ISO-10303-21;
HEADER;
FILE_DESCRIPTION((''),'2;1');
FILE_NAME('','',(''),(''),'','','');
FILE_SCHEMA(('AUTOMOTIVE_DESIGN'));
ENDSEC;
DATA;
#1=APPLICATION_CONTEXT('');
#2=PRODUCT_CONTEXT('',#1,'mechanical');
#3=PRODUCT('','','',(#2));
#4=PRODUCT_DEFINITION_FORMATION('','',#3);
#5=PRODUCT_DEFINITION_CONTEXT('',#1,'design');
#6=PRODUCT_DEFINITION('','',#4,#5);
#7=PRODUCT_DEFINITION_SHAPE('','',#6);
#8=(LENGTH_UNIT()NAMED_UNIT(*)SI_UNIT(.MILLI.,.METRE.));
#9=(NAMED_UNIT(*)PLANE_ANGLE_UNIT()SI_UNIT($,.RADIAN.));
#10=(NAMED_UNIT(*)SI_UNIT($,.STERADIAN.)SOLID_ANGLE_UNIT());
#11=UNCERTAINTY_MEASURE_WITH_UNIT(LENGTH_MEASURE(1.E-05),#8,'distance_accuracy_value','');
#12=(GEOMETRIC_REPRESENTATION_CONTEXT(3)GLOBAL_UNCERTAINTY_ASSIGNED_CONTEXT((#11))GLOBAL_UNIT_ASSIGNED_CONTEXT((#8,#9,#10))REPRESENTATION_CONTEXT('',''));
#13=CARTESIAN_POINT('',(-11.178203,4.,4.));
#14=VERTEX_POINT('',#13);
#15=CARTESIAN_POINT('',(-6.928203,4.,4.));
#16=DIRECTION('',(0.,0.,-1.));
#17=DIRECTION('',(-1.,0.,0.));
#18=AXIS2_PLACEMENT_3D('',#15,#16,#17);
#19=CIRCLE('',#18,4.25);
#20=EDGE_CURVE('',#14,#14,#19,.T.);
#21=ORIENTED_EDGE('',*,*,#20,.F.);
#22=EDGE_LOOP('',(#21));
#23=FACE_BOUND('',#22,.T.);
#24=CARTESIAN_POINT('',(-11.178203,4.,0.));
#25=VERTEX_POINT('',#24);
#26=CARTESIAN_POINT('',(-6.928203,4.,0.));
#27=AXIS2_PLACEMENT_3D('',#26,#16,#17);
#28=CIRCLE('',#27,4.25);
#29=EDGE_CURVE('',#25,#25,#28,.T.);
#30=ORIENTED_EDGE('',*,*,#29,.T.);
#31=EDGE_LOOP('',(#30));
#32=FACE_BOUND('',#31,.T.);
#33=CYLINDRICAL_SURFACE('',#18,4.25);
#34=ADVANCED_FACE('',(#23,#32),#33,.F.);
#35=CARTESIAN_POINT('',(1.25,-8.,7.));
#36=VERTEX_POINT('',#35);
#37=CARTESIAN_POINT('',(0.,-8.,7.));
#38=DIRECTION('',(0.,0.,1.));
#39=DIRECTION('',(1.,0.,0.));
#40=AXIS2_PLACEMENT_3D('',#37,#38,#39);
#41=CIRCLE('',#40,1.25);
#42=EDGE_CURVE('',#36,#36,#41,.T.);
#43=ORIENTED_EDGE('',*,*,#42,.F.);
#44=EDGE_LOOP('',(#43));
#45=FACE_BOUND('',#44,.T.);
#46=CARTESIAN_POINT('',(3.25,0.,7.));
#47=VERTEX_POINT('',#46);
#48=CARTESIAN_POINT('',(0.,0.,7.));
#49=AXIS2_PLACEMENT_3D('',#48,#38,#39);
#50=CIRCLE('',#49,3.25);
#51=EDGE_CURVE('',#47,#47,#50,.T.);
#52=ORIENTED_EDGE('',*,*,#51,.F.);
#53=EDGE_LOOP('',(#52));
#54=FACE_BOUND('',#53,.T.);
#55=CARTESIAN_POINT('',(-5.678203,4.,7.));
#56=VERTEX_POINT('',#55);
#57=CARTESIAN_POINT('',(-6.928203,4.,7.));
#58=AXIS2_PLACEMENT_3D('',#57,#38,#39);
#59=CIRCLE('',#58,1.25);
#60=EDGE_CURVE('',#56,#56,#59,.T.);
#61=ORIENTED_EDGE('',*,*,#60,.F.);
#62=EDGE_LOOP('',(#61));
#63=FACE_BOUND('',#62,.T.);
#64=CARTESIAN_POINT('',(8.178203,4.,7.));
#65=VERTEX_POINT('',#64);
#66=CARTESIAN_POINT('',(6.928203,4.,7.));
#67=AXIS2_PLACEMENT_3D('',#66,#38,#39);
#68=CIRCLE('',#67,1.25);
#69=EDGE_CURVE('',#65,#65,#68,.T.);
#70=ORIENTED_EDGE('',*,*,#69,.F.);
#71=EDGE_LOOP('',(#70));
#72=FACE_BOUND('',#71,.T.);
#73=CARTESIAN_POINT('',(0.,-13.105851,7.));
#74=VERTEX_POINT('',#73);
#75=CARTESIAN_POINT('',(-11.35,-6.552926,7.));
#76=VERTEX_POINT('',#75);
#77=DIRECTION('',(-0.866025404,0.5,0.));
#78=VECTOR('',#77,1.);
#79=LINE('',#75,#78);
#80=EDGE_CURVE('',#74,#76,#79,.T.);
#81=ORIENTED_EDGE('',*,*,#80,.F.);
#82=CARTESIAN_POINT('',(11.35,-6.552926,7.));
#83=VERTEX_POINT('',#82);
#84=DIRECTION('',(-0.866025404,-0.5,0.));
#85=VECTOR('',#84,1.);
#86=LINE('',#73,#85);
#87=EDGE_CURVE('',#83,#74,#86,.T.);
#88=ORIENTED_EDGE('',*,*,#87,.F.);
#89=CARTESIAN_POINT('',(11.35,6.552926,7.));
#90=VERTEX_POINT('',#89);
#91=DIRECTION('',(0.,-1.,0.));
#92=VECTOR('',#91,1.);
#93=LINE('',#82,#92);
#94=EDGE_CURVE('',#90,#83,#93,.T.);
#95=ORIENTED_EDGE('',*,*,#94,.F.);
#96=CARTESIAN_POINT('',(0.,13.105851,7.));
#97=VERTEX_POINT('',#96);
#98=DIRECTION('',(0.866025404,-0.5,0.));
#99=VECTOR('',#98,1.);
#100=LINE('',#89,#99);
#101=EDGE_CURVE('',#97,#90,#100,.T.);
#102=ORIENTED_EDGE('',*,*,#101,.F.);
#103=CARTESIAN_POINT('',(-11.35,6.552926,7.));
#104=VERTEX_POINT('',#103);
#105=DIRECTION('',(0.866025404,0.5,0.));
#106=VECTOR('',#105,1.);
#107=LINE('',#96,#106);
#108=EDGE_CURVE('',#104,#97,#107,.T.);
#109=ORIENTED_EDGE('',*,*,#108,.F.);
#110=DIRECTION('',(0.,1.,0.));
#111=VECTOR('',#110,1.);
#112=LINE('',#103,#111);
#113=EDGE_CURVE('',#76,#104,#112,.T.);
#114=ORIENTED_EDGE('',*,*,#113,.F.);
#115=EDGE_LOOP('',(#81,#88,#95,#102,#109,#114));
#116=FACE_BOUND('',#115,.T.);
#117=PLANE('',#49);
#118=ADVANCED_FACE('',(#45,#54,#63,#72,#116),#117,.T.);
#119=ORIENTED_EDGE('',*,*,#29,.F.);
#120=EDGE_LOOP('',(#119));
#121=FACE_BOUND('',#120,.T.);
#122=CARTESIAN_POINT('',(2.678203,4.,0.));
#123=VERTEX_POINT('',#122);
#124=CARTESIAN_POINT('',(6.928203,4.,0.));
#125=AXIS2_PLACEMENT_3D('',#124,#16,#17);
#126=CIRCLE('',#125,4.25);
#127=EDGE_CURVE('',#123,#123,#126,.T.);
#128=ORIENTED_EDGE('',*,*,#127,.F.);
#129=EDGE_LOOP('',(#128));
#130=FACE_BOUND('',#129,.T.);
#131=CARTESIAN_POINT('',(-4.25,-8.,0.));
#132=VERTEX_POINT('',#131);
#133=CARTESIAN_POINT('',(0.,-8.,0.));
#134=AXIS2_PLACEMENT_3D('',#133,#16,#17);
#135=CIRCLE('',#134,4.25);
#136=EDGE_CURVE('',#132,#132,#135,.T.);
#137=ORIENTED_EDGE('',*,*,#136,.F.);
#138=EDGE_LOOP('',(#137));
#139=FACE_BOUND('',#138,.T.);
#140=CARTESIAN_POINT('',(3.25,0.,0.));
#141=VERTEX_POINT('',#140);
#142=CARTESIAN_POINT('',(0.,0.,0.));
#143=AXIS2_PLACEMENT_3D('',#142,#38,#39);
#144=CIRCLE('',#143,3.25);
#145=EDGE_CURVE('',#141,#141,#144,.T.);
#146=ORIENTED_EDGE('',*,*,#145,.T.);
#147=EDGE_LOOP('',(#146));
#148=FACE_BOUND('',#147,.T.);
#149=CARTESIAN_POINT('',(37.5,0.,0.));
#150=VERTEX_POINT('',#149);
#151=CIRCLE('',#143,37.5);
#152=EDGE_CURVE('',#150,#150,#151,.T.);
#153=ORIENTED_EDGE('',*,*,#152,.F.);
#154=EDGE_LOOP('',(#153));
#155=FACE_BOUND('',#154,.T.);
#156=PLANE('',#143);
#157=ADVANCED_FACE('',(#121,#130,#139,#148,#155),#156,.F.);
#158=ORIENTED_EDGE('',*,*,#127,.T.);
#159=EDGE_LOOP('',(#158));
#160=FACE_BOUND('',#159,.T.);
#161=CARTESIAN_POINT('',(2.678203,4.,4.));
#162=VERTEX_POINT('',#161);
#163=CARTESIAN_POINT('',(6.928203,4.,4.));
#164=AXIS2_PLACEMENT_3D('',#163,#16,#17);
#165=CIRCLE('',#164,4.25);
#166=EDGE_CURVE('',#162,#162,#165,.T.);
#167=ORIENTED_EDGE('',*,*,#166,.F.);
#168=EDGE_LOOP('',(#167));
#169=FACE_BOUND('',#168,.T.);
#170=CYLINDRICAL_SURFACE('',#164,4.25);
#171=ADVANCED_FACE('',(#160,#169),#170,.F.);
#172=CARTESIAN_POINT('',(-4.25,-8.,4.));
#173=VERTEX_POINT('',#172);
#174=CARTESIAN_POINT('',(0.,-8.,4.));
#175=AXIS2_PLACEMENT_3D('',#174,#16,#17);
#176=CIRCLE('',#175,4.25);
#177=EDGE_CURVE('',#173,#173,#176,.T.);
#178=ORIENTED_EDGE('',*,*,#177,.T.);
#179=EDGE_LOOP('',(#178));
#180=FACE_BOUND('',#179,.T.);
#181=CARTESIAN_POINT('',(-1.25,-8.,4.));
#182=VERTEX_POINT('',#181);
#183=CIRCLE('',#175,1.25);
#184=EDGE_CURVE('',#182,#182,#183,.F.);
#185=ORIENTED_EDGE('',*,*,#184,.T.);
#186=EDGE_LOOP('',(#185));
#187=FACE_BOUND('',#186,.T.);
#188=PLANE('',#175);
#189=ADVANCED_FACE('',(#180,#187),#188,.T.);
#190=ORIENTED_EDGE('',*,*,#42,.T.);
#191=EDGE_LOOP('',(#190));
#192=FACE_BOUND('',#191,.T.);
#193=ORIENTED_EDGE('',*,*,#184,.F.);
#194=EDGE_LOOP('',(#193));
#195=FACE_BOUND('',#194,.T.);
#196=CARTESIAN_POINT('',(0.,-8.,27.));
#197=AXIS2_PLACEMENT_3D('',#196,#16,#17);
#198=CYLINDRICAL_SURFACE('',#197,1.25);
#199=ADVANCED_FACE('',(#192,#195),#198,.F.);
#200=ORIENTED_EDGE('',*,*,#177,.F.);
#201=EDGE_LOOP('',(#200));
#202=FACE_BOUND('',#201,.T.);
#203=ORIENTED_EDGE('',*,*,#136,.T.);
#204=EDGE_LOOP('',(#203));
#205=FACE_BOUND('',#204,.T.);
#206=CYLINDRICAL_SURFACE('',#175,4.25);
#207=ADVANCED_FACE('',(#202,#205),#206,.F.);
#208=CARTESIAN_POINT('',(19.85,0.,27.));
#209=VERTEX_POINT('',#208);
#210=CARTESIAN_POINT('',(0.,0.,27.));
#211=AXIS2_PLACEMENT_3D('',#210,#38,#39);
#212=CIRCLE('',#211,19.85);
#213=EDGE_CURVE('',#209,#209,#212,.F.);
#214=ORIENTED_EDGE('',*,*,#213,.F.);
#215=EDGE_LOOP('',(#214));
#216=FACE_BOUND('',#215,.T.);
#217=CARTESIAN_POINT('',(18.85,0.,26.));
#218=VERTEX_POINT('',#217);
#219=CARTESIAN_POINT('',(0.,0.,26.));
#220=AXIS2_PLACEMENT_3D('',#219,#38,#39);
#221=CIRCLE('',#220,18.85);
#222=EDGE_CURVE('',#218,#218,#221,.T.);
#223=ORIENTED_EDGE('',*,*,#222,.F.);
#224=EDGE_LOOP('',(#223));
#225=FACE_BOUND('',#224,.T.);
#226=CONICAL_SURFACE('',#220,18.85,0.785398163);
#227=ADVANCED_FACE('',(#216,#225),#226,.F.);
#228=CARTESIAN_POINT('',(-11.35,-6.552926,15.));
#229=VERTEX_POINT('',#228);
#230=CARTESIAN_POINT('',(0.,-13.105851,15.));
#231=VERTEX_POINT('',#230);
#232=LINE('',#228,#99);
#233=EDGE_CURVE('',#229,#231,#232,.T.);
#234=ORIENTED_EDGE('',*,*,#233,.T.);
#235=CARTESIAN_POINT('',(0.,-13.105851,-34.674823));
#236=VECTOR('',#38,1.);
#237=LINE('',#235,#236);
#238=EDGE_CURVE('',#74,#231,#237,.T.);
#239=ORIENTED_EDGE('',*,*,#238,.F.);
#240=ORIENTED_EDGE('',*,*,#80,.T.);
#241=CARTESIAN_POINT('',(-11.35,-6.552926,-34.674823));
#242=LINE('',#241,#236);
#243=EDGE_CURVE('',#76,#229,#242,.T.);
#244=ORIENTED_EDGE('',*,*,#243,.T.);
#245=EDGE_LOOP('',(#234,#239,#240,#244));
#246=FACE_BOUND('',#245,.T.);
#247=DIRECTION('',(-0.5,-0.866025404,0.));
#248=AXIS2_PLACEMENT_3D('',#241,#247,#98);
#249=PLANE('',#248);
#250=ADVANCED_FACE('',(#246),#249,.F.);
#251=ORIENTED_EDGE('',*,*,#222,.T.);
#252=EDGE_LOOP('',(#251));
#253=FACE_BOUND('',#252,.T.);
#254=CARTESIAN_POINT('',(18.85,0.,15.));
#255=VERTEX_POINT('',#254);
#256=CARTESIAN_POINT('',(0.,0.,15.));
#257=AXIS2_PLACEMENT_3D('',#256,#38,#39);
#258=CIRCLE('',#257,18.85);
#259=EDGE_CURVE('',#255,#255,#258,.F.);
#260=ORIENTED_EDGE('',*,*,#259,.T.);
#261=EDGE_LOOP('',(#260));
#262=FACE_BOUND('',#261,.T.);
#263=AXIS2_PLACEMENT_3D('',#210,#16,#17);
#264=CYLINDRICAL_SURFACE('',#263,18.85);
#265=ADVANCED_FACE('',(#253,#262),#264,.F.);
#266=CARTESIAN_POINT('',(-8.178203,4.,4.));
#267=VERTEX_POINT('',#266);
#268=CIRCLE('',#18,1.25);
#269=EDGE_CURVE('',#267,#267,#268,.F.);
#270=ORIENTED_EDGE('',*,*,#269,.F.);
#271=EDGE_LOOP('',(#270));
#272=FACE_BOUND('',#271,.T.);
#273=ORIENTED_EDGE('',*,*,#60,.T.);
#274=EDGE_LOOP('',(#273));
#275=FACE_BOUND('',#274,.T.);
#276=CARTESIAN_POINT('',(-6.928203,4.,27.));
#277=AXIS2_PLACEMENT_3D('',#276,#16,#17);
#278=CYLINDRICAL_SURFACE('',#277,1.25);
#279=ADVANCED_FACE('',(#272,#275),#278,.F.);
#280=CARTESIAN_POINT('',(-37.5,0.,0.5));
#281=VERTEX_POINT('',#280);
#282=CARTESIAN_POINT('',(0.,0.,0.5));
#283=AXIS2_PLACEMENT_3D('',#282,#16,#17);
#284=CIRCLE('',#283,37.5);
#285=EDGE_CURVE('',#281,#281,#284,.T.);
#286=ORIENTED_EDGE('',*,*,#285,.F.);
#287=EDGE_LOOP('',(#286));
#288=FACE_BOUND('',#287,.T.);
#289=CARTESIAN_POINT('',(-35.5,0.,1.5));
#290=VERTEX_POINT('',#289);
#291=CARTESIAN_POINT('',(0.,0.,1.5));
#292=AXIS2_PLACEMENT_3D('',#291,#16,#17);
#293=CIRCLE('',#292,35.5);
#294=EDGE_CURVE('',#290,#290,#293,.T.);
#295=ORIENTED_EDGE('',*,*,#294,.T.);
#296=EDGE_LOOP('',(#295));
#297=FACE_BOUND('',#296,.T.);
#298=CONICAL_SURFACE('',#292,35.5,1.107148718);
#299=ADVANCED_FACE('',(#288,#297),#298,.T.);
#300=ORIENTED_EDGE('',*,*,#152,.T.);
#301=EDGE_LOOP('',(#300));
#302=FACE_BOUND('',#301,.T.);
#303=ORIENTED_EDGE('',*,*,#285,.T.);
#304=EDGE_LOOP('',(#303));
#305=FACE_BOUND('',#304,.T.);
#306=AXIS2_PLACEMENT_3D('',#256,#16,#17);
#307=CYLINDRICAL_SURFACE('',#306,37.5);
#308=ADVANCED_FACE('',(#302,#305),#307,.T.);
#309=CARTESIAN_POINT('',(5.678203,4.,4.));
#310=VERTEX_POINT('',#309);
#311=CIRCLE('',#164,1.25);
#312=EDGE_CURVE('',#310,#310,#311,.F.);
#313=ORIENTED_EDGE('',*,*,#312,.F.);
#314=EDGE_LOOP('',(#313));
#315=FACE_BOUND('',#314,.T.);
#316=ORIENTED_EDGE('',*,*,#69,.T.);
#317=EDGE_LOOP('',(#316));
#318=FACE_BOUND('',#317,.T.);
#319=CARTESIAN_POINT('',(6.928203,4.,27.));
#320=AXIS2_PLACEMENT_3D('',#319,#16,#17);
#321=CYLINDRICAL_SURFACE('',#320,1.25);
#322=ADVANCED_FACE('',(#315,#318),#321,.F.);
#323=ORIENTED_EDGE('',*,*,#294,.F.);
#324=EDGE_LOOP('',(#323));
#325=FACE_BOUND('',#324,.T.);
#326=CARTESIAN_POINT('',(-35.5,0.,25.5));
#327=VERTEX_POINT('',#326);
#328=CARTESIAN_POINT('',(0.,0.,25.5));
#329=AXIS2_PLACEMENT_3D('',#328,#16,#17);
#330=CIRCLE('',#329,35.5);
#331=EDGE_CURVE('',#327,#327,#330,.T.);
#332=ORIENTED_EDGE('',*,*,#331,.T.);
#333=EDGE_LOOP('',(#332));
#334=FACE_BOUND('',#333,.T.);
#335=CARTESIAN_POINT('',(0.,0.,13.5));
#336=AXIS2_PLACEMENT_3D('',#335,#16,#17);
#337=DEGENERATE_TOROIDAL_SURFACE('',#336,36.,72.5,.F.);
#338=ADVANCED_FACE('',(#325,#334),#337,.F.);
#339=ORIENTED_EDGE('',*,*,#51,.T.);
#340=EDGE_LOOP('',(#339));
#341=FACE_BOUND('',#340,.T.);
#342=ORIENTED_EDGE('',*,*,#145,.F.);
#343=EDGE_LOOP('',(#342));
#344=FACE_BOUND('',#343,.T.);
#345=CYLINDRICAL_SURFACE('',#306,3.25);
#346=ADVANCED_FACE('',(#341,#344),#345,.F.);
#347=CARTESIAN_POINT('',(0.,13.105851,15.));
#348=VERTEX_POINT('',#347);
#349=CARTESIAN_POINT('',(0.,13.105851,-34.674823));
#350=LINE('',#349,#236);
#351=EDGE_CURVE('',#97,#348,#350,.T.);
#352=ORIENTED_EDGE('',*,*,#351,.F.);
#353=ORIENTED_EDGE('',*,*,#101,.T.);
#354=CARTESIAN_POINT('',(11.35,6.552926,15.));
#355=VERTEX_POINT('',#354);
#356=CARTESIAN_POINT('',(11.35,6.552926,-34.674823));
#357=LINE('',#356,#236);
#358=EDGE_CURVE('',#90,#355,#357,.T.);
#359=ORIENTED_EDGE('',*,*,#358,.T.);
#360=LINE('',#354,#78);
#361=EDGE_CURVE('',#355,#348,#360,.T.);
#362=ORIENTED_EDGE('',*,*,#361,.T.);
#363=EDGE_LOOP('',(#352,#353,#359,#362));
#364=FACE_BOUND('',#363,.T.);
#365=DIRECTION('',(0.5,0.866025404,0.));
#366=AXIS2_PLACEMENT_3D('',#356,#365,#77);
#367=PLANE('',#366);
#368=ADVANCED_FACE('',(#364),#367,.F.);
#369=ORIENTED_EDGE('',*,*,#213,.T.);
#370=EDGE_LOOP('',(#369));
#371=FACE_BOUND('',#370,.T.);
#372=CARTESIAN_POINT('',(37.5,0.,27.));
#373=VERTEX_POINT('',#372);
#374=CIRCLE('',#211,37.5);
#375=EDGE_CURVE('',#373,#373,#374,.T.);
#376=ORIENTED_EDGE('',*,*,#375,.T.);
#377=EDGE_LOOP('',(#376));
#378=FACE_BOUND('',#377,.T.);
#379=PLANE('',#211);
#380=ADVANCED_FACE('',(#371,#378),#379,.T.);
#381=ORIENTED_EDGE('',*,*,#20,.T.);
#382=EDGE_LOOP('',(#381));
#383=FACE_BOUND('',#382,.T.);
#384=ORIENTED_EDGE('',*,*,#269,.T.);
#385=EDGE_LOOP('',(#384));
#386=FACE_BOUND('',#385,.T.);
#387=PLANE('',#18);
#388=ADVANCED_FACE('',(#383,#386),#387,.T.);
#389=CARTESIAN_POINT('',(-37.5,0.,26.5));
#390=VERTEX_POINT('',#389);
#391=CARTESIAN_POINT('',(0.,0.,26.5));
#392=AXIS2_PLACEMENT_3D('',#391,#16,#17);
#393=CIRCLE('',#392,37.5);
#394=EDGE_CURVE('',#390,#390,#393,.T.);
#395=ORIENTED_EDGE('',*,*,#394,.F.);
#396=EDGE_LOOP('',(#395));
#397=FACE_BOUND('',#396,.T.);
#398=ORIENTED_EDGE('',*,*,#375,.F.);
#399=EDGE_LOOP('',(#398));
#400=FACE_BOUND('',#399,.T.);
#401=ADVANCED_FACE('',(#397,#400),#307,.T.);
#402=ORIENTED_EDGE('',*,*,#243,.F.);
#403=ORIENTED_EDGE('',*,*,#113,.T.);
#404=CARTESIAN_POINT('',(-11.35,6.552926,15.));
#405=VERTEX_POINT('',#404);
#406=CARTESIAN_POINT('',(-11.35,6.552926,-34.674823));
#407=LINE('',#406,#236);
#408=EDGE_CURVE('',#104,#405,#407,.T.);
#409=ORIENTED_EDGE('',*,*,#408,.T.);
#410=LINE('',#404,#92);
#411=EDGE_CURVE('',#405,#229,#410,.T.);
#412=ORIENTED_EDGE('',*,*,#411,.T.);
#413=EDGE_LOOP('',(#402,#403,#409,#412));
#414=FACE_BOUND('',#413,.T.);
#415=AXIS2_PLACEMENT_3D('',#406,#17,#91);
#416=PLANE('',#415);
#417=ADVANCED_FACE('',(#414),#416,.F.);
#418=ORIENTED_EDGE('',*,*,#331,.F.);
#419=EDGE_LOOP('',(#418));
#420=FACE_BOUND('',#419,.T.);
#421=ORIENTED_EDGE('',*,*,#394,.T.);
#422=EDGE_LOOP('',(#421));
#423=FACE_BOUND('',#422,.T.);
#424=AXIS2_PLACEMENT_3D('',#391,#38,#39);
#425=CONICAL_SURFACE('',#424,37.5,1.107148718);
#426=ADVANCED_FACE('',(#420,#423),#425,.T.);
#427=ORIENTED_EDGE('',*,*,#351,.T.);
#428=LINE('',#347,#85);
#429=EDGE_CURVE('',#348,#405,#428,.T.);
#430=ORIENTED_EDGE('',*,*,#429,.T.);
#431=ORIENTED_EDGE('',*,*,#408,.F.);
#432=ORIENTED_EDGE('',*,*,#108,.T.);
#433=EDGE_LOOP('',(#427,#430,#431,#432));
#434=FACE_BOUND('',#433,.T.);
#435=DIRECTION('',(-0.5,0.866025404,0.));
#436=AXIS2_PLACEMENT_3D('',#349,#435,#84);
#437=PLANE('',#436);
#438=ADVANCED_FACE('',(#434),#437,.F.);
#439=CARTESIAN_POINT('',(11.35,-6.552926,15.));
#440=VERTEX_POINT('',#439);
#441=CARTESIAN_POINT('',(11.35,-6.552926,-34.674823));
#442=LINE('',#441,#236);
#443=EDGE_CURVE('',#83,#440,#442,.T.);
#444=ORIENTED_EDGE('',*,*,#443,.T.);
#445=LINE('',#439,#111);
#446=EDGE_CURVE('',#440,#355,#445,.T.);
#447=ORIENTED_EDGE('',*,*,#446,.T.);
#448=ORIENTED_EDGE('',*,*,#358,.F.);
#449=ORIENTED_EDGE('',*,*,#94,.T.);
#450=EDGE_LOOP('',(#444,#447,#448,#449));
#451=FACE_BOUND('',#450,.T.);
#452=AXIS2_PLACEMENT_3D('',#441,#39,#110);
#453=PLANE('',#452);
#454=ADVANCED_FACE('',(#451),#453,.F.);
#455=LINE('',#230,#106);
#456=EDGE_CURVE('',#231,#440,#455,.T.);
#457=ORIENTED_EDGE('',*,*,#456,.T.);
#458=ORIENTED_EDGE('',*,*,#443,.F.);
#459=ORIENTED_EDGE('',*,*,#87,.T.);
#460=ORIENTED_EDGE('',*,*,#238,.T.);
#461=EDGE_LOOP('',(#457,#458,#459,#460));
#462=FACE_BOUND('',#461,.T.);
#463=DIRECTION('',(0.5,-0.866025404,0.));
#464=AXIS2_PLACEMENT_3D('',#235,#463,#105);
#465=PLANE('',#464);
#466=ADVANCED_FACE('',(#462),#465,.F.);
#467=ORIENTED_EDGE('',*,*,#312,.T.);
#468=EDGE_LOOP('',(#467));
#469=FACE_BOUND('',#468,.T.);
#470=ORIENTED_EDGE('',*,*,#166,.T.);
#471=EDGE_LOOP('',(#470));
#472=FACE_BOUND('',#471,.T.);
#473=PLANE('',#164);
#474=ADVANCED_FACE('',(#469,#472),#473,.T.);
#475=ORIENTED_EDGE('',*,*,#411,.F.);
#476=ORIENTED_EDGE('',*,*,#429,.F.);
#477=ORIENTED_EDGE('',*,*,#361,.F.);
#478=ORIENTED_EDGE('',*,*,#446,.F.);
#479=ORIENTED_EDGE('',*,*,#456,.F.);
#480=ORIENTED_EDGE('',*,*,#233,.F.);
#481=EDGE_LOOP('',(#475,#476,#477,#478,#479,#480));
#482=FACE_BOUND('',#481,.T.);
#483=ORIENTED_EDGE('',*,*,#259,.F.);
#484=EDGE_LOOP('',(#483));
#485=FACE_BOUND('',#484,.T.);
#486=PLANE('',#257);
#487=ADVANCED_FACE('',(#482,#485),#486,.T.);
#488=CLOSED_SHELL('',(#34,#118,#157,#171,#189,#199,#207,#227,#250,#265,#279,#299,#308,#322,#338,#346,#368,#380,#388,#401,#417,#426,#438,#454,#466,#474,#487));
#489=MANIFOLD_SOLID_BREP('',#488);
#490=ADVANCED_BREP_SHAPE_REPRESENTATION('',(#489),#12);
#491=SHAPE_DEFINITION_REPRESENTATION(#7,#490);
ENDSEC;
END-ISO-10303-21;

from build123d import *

# Parameters (mm, degrees)
ESQUISSE1_R              = 37.5
ESQUISSE1_R_2            = 3.25
BOSS_EXTRU_1_DEPTH       = 15
ESQUISSE2_R              = 37.5
ESQUISSE2_R_2            = 18.85
BOSS_EXTRU_2_DEPTH       = 12
ENL_V_MAT_EXTRU_9_DEPTH  = 8
CHANFREIN1_SIZE          = 1
ESQUISSE11_R             = 1.25
ENL_V_MAT_EXTRU_10_DEPTH = 60.510503275
ESQUISSE12_R             = 4.25
ENL_V_MAT_EXTRU_11_DEPTH = 4


with BuildPart() as part:
    # Esquisse1 → Boss.-Extru.1 (new body)
    with BuildSketch(Plane.XY):
        Circle(ESQUISSE1_R)
        Circle(ESQUISSE1_R_2, mode=Mode.SUBTRACT)
    extrude(amount=BOSS_EXTRU_1_DEPTH)

    # Esquisse2 → Boss.-Extru.2 (add)
    with BuildSketch(Plane.XY.offset(15)):
        Circle(ESQUISSE2_R)
        Circle(ESQUISSE2_R_2, mode=Mode.SUBTRACT)
    extrude(amount=BOSS_EXTRU_2_DEPTH)

    # Esquisse9 → Enlèv. mat.-Extru.9 (cut)
    with BuildSketch(Plane.XY.offset(15)):
        Polygon((11.35, -6.552925555), (11.35, 6.552925555), (0, 13.105851111), (-11.35, 6.552925555), (-11.35, -6.552925555), (0, -13.105851111), align=None)
    extrude(amount=-ENL_V_MAT_EXTRU_9_DEPTH, mode=Mode.SUBTRACT)

    # Chanfrein1
    chanfrein1_edges = [part.edges().sort_by_distance(p)[0] for p in [
        (-18.85, 0, 27),
    ]]
    chamfer(chanfrein1_edges, length=CHANFREIN1_SIZE)

    # Esquisse10 → Enlèvement de matière-Révolution1 (revolve, cut)
    with BuildSketch(Plane(origin=(0, 0, 0), x_dir=(0, 0, -1), z_dir=(1, 0, 0)), mode=Mode.PRIVATE) as enl_vement_de_mati_re_r_volution1_sk:
        with BuildLine():
            Line((-26.5, 37.5), (-0.5, 37.5))
            Line((-0.5, 37.5), (-1.5, 35.5))
            ThreePointArc((-1.5, 35.5), (-13.5, 36.5), (-25.5, 35.5))
            Line((-25.5, 35.5), (-26.5, 37.5))
        make_face()
    revolve(enl_vement_de_mati_re_r_volution1_sk.sketch.rotate(Axis((0, 0, 0), (0, 0, 1)), 90), axis=Axis((0, 0, 0), (0, 0, 1)), mode=Mode.SUBTRACT)

    # Esquisse11 → Enlèv. mat.-Extru.10 (cut, through all)
    with BuildSketch(Plane(origin=(0, 0, 0), x_dir=(-1, 0, 0), z_dir=(0, 0, -1))):
        with Locations((-6.92820323, 4)):
            Circle(ESQUISSE11_R)
        with Locations((6.92820323, 4)):
            Circle(ESQUISSE11_R)
        with Locations((0, -8)):
            Circle(ESQUISSE11_R)
    extrude(amount=-ENL_V_MAT_EXTRU_10_DEPTH, mode=Mode.SUBTRACT)

    # Esquisse12 → Enlèv. mat.-Extru.11 (cut)
    with BuildSketch(Plane(origin=(0, 0, 0), x_dir=(-1, 0, 0), z_dir=(0, 0, -1))):
        with Locations((-6.92820323, 4)):
            Circle(ESQUISSE12_R)
        with Locations((6.92820323, 4)):
            Circle(ESQUISSE12_R)
        with Locations((0, -8)):
            Circle(ESQUISSE12_R)
    extrude(amount=-ENL_V_MAT_EXTRU_11_DEPTH, mode=Mode.SUBTRACT)


solid = part.part
